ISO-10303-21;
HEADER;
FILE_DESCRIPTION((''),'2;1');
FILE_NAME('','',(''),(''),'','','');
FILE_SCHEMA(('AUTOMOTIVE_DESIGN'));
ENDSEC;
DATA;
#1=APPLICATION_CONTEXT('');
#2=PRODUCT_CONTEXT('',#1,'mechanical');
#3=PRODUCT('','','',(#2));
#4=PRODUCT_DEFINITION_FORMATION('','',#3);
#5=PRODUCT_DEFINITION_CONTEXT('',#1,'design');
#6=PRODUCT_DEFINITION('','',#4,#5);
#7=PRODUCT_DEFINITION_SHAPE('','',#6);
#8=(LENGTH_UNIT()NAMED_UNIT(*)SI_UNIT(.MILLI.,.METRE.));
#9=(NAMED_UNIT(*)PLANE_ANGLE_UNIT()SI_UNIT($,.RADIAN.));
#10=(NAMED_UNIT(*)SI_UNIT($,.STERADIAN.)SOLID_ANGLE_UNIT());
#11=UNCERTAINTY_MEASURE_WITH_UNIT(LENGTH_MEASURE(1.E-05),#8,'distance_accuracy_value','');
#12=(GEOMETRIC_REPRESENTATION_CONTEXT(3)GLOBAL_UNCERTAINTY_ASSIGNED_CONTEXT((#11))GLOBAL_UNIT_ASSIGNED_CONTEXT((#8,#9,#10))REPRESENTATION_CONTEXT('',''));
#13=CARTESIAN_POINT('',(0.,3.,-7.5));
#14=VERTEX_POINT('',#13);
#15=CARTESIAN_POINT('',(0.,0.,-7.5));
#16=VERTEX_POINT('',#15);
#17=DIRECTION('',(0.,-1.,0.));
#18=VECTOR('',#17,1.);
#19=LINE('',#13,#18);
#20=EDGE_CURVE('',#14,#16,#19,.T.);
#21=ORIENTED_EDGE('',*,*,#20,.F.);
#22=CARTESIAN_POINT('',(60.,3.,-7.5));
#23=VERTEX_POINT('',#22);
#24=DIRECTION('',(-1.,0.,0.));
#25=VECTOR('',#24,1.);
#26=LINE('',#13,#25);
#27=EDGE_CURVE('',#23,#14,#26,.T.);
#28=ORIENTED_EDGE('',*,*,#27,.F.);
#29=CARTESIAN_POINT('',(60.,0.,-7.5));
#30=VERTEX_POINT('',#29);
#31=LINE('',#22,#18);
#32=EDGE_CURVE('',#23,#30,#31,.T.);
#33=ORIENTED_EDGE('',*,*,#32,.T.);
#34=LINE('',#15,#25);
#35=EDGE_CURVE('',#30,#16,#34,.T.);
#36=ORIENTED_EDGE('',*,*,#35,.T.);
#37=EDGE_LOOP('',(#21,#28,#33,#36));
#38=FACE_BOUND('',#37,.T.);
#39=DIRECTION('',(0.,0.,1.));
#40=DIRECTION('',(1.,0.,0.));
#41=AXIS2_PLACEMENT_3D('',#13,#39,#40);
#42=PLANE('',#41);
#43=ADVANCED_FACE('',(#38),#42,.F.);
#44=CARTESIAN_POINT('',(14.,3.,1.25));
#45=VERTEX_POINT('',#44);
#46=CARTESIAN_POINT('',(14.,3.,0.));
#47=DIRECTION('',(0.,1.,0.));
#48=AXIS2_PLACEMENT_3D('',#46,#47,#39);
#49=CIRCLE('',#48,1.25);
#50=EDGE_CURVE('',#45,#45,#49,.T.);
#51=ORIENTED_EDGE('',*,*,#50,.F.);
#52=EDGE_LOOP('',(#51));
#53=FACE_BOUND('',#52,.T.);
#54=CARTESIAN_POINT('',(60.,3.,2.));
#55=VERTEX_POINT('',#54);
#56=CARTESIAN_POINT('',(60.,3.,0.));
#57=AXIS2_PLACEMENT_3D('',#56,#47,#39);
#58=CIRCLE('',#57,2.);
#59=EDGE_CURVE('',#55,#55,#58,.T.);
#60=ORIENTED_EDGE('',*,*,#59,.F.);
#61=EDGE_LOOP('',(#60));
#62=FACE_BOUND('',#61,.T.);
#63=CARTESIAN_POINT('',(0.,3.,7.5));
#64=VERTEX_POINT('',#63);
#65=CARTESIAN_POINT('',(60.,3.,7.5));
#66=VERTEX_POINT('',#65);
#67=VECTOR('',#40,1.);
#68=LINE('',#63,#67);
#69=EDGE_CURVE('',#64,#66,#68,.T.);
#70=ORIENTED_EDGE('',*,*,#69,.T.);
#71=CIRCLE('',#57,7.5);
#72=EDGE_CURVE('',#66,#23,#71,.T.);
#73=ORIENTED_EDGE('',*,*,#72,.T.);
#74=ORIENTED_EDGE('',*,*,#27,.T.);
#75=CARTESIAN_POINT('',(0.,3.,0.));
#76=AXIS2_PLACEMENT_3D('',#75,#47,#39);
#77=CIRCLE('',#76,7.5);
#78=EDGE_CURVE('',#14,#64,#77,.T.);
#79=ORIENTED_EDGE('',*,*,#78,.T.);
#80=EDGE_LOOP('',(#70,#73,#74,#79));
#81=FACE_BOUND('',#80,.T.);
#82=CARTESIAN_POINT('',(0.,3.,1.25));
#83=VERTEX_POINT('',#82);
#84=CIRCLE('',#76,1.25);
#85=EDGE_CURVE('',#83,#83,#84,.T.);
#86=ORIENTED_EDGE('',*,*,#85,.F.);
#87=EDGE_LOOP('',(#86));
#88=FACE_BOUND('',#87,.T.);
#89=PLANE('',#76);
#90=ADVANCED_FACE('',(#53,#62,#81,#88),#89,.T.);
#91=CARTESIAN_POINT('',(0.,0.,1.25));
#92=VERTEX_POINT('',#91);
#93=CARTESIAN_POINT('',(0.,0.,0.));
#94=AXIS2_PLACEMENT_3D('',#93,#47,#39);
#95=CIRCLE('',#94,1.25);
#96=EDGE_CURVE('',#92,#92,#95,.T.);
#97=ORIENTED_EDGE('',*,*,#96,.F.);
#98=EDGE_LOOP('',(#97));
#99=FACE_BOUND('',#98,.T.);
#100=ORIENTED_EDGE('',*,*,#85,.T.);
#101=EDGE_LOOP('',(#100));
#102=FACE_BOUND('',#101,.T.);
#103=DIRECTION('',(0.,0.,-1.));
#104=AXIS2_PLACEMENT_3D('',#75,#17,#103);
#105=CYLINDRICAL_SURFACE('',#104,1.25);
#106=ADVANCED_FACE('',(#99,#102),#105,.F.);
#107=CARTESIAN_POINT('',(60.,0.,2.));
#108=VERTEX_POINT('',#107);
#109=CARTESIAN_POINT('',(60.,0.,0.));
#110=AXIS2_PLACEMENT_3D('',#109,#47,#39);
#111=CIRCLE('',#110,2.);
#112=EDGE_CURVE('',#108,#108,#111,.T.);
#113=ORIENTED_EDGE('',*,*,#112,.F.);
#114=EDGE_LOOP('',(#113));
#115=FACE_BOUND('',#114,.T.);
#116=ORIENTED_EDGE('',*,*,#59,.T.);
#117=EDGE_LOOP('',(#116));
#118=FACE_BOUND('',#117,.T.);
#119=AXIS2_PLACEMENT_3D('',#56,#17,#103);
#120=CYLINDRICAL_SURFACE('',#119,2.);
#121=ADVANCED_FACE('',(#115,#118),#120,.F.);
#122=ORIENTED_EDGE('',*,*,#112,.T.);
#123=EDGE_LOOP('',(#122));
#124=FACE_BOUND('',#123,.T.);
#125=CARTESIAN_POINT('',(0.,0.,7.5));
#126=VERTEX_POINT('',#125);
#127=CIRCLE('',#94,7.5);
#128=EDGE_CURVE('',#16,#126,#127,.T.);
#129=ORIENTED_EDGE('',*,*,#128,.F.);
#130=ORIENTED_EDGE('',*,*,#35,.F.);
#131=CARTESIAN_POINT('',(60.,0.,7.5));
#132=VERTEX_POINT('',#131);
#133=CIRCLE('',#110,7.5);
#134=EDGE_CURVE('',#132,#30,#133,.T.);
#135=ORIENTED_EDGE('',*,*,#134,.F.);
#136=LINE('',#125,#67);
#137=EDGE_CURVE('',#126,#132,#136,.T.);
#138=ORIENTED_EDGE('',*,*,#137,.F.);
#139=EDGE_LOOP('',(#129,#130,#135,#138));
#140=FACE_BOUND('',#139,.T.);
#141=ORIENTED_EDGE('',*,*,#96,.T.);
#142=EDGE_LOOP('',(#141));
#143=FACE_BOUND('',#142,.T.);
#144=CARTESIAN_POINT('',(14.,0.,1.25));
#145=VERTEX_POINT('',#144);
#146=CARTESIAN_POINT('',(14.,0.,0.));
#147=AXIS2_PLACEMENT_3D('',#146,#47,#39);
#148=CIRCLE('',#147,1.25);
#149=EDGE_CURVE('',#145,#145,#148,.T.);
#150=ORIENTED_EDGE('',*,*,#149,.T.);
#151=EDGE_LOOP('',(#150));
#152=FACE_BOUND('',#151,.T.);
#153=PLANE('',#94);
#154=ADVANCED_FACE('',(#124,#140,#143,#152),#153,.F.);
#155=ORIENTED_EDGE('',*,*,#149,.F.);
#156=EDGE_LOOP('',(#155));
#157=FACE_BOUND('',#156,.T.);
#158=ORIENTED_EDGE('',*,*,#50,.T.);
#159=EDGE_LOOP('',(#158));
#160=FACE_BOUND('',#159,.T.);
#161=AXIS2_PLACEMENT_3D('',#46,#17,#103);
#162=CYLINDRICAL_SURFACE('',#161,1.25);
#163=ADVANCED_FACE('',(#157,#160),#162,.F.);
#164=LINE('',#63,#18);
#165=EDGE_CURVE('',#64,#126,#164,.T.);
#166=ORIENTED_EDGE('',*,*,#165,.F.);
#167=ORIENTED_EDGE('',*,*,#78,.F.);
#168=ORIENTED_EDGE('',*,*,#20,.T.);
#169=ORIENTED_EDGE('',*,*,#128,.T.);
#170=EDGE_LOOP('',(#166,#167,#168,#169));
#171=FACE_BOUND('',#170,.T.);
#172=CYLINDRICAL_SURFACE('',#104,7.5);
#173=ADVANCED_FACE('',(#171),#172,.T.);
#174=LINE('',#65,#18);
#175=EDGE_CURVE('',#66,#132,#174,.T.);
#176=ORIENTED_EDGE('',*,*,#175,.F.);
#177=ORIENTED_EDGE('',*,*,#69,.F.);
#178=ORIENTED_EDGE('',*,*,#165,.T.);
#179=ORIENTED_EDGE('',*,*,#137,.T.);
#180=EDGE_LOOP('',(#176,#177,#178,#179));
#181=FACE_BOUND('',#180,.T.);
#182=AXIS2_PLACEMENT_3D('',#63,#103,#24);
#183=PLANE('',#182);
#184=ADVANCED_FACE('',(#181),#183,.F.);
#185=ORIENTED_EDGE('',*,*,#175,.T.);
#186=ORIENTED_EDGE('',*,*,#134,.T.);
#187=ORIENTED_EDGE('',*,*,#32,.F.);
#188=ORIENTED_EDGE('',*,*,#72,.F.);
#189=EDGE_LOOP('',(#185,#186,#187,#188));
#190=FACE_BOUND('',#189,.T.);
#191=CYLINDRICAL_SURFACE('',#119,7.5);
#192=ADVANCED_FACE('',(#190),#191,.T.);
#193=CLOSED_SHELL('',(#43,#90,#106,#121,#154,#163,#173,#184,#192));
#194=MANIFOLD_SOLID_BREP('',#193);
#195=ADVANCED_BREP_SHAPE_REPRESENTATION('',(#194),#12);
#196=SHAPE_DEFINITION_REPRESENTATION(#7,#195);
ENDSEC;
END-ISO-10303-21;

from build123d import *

# Parameters (mm, degrees)
SKETCH1_R           = 2
SKETCH1_R_2         = 1.25
BOSS_EXTRUDE1_DEPTH = 3


with BuildPart() as part:
    # Sketch1 → Boss-Extrude1 (new body)
    with BuildSketch(Plane(origin=(0, 0, 0), x_dir=(1, 0, 0), z_dir=(0, 1, 0))):
        with BuildLine():
            Line((0, 7.5), (60, 7.5))
            ThreePointArc((60, 7.5), (67.5, 0), (60, -7.5))
            Line((60, -7.5), (0, -7.5))
            ThreePointArc((0, -7.5), (-7.5, 0), (0, 7.5))
        make_face()
        with Locations(Location((60, 0, 0), (0, 0, 270))):
            Circle(SKETCH1_R, mode=Mode.SUBTRACT)
        with Locations(Location((0, 0, 0), (0, 0, 270))):
            Circle(SKETCH1_R_2, mode=Mode.SUBTRACT)
        with Locations(Location((14, 0, 0), (0, 0, 270))):
            Circle(SKETCH1_R_2, mode=Mode.SUBTRACT)
    extrude(amount=BOSS_EXTRUDE1_DEPTH)


solid = part.part
